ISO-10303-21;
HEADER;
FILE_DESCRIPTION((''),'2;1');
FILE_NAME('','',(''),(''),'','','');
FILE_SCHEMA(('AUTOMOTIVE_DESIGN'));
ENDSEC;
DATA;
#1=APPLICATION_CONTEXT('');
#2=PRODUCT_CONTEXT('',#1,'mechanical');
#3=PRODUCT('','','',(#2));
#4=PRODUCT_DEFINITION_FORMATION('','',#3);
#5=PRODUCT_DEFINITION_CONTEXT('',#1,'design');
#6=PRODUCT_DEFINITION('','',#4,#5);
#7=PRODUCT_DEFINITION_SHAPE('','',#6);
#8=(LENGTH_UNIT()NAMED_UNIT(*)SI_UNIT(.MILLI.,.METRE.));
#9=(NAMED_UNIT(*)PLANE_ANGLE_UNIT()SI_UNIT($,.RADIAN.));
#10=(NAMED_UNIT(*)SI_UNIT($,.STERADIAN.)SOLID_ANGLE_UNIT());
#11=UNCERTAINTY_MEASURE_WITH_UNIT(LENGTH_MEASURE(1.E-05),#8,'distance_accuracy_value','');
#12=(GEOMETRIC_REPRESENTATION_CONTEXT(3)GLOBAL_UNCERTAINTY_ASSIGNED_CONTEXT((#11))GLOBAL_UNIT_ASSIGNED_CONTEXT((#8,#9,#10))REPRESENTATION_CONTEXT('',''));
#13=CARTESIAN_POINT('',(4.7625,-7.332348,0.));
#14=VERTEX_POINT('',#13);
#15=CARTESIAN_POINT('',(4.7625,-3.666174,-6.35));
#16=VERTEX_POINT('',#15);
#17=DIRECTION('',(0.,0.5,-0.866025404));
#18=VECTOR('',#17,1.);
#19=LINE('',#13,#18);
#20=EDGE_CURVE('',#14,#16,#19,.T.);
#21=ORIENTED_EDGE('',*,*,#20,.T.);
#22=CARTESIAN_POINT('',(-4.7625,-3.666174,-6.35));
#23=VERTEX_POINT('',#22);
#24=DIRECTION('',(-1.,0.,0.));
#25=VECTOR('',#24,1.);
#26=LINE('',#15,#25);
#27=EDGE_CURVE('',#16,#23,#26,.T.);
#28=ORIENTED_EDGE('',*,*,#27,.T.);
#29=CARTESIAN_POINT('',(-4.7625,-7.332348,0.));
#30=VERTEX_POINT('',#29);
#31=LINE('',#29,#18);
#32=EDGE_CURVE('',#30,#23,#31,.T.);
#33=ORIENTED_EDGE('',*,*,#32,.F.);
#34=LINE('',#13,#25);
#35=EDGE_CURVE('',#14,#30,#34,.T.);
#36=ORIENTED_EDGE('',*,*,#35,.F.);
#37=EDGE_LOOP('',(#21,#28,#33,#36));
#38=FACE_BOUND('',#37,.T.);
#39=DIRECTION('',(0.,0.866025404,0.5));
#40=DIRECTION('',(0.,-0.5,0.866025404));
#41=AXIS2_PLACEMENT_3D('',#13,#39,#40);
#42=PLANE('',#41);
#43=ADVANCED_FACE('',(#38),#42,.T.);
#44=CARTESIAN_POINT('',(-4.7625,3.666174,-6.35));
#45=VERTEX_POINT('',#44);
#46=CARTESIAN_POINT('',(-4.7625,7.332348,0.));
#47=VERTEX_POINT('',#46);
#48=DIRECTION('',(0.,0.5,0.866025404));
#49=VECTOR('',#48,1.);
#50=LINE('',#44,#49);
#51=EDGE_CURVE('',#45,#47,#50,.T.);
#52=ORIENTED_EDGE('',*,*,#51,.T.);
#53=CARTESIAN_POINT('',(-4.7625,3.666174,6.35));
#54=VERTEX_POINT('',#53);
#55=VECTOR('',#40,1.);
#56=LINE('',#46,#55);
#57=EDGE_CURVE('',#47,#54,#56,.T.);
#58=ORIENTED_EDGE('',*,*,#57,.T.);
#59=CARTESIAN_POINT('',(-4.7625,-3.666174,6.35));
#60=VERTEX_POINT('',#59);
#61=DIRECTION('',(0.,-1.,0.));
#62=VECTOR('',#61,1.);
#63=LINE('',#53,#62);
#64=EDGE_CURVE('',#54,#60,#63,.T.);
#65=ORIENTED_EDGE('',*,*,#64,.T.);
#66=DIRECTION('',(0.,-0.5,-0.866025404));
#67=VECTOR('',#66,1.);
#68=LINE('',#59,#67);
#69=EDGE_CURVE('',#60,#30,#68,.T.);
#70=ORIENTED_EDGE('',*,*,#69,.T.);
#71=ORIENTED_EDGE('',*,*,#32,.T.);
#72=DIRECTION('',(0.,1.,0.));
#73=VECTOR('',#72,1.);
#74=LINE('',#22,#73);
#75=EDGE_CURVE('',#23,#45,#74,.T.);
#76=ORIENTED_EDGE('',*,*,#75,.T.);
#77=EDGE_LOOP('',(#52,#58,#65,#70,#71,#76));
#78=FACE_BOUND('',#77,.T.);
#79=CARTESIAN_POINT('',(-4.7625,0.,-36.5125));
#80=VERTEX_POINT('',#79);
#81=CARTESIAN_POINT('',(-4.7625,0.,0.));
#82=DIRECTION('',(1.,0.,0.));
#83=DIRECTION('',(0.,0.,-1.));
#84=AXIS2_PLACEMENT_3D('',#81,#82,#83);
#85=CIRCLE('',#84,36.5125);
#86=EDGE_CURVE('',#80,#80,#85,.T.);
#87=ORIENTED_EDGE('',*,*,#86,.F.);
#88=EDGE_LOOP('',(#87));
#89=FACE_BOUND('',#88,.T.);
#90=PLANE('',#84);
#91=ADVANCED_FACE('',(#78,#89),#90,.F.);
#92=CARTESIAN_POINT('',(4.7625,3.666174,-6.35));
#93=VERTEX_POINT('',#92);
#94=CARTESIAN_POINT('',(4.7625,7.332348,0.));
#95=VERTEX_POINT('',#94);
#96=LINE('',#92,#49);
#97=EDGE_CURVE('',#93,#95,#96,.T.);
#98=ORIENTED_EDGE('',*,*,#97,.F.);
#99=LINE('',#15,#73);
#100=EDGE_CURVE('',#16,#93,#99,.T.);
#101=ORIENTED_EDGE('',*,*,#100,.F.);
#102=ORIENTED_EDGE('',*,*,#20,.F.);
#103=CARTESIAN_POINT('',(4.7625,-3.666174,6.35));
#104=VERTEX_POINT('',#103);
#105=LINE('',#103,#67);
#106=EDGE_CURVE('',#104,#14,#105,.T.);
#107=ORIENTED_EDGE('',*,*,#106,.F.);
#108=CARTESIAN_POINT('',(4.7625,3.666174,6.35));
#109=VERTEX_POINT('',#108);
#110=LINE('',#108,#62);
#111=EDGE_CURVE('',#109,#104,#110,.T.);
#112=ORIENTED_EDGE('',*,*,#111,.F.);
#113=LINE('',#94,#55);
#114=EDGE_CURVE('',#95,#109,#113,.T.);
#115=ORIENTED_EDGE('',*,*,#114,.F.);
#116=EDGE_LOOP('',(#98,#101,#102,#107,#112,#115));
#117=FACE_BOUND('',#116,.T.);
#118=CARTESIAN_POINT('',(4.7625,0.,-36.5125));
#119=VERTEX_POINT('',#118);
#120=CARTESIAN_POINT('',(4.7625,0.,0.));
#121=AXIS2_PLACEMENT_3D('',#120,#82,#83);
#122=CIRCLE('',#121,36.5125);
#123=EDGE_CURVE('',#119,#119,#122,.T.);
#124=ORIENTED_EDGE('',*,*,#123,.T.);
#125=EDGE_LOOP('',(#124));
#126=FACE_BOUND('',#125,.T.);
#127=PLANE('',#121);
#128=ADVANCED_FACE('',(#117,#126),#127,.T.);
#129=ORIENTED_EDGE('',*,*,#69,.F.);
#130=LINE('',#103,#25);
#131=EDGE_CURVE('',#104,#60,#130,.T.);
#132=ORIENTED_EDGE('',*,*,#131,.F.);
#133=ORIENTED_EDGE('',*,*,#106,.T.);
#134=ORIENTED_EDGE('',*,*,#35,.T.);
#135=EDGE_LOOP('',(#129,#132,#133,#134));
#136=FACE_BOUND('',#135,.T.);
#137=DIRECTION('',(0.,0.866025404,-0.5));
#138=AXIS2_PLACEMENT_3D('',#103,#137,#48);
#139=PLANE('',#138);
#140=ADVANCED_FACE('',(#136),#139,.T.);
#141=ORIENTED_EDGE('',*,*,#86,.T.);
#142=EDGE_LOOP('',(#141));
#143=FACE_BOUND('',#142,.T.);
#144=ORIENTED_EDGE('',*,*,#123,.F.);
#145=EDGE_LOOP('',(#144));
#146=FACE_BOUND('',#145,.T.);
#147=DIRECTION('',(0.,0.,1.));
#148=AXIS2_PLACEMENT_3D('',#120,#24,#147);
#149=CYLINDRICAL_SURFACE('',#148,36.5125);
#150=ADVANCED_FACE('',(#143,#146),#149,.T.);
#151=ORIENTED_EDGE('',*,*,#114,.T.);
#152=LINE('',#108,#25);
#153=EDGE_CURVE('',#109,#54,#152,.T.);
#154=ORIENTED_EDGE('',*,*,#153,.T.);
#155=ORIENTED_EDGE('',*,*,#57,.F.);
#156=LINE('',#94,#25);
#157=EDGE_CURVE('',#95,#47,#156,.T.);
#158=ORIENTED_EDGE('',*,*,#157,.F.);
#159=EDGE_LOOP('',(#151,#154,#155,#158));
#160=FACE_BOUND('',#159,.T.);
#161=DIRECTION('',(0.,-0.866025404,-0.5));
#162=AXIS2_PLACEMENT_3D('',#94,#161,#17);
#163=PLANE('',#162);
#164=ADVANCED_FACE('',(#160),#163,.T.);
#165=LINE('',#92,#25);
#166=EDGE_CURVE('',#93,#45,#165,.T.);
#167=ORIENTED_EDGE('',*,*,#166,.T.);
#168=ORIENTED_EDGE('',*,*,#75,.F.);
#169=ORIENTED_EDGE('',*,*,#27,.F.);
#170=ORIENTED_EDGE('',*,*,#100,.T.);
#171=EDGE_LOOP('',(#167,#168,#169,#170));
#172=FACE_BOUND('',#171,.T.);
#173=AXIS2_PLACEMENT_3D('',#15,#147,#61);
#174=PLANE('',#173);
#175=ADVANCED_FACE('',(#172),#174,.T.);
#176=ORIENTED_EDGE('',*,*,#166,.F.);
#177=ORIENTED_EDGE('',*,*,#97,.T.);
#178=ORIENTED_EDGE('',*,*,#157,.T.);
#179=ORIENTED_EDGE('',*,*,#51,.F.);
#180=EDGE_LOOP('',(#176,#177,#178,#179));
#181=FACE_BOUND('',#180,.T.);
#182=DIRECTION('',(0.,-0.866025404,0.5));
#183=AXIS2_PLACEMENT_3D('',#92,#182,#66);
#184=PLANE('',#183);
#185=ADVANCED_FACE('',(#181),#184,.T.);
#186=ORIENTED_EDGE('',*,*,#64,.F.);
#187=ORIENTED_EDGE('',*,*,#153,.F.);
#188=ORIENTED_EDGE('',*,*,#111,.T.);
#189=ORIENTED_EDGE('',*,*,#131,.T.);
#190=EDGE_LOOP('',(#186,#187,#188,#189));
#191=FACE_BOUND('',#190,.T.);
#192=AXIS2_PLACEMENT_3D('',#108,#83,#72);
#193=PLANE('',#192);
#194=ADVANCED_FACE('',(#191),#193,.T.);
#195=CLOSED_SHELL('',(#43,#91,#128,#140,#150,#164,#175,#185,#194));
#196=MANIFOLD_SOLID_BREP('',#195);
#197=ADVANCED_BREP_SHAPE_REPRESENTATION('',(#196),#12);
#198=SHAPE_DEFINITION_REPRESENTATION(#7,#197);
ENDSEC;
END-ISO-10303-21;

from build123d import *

# Parameters (mm, degrees)
SKETCH2_R           = 36.5125
BOSS_EXTRUDE1_DEPTH = 4.7625


with BuildPart() as part:
    # Sketch2 → Boss-Extrude1 (new body, symmetric)
    with BuildSketch(Plane(origin=(0, 0, 0), x_dir=(0, 0, -1), z_dir=(1, 0, 0))):
        Circle(SKETCH2_R)
        Polygon((0, 7.332348419), (-6.35, 3.666174209), (-6.35, -3.666174209), (0, -7.332348419), (6.35, -3.666174209), (6.35, 3.666174209), align=None, mode=Mode.SUBTRACT)
    extrude(amount=BOSS_EXTRUDE1_DEPTH, both=True)


solid = part.part
